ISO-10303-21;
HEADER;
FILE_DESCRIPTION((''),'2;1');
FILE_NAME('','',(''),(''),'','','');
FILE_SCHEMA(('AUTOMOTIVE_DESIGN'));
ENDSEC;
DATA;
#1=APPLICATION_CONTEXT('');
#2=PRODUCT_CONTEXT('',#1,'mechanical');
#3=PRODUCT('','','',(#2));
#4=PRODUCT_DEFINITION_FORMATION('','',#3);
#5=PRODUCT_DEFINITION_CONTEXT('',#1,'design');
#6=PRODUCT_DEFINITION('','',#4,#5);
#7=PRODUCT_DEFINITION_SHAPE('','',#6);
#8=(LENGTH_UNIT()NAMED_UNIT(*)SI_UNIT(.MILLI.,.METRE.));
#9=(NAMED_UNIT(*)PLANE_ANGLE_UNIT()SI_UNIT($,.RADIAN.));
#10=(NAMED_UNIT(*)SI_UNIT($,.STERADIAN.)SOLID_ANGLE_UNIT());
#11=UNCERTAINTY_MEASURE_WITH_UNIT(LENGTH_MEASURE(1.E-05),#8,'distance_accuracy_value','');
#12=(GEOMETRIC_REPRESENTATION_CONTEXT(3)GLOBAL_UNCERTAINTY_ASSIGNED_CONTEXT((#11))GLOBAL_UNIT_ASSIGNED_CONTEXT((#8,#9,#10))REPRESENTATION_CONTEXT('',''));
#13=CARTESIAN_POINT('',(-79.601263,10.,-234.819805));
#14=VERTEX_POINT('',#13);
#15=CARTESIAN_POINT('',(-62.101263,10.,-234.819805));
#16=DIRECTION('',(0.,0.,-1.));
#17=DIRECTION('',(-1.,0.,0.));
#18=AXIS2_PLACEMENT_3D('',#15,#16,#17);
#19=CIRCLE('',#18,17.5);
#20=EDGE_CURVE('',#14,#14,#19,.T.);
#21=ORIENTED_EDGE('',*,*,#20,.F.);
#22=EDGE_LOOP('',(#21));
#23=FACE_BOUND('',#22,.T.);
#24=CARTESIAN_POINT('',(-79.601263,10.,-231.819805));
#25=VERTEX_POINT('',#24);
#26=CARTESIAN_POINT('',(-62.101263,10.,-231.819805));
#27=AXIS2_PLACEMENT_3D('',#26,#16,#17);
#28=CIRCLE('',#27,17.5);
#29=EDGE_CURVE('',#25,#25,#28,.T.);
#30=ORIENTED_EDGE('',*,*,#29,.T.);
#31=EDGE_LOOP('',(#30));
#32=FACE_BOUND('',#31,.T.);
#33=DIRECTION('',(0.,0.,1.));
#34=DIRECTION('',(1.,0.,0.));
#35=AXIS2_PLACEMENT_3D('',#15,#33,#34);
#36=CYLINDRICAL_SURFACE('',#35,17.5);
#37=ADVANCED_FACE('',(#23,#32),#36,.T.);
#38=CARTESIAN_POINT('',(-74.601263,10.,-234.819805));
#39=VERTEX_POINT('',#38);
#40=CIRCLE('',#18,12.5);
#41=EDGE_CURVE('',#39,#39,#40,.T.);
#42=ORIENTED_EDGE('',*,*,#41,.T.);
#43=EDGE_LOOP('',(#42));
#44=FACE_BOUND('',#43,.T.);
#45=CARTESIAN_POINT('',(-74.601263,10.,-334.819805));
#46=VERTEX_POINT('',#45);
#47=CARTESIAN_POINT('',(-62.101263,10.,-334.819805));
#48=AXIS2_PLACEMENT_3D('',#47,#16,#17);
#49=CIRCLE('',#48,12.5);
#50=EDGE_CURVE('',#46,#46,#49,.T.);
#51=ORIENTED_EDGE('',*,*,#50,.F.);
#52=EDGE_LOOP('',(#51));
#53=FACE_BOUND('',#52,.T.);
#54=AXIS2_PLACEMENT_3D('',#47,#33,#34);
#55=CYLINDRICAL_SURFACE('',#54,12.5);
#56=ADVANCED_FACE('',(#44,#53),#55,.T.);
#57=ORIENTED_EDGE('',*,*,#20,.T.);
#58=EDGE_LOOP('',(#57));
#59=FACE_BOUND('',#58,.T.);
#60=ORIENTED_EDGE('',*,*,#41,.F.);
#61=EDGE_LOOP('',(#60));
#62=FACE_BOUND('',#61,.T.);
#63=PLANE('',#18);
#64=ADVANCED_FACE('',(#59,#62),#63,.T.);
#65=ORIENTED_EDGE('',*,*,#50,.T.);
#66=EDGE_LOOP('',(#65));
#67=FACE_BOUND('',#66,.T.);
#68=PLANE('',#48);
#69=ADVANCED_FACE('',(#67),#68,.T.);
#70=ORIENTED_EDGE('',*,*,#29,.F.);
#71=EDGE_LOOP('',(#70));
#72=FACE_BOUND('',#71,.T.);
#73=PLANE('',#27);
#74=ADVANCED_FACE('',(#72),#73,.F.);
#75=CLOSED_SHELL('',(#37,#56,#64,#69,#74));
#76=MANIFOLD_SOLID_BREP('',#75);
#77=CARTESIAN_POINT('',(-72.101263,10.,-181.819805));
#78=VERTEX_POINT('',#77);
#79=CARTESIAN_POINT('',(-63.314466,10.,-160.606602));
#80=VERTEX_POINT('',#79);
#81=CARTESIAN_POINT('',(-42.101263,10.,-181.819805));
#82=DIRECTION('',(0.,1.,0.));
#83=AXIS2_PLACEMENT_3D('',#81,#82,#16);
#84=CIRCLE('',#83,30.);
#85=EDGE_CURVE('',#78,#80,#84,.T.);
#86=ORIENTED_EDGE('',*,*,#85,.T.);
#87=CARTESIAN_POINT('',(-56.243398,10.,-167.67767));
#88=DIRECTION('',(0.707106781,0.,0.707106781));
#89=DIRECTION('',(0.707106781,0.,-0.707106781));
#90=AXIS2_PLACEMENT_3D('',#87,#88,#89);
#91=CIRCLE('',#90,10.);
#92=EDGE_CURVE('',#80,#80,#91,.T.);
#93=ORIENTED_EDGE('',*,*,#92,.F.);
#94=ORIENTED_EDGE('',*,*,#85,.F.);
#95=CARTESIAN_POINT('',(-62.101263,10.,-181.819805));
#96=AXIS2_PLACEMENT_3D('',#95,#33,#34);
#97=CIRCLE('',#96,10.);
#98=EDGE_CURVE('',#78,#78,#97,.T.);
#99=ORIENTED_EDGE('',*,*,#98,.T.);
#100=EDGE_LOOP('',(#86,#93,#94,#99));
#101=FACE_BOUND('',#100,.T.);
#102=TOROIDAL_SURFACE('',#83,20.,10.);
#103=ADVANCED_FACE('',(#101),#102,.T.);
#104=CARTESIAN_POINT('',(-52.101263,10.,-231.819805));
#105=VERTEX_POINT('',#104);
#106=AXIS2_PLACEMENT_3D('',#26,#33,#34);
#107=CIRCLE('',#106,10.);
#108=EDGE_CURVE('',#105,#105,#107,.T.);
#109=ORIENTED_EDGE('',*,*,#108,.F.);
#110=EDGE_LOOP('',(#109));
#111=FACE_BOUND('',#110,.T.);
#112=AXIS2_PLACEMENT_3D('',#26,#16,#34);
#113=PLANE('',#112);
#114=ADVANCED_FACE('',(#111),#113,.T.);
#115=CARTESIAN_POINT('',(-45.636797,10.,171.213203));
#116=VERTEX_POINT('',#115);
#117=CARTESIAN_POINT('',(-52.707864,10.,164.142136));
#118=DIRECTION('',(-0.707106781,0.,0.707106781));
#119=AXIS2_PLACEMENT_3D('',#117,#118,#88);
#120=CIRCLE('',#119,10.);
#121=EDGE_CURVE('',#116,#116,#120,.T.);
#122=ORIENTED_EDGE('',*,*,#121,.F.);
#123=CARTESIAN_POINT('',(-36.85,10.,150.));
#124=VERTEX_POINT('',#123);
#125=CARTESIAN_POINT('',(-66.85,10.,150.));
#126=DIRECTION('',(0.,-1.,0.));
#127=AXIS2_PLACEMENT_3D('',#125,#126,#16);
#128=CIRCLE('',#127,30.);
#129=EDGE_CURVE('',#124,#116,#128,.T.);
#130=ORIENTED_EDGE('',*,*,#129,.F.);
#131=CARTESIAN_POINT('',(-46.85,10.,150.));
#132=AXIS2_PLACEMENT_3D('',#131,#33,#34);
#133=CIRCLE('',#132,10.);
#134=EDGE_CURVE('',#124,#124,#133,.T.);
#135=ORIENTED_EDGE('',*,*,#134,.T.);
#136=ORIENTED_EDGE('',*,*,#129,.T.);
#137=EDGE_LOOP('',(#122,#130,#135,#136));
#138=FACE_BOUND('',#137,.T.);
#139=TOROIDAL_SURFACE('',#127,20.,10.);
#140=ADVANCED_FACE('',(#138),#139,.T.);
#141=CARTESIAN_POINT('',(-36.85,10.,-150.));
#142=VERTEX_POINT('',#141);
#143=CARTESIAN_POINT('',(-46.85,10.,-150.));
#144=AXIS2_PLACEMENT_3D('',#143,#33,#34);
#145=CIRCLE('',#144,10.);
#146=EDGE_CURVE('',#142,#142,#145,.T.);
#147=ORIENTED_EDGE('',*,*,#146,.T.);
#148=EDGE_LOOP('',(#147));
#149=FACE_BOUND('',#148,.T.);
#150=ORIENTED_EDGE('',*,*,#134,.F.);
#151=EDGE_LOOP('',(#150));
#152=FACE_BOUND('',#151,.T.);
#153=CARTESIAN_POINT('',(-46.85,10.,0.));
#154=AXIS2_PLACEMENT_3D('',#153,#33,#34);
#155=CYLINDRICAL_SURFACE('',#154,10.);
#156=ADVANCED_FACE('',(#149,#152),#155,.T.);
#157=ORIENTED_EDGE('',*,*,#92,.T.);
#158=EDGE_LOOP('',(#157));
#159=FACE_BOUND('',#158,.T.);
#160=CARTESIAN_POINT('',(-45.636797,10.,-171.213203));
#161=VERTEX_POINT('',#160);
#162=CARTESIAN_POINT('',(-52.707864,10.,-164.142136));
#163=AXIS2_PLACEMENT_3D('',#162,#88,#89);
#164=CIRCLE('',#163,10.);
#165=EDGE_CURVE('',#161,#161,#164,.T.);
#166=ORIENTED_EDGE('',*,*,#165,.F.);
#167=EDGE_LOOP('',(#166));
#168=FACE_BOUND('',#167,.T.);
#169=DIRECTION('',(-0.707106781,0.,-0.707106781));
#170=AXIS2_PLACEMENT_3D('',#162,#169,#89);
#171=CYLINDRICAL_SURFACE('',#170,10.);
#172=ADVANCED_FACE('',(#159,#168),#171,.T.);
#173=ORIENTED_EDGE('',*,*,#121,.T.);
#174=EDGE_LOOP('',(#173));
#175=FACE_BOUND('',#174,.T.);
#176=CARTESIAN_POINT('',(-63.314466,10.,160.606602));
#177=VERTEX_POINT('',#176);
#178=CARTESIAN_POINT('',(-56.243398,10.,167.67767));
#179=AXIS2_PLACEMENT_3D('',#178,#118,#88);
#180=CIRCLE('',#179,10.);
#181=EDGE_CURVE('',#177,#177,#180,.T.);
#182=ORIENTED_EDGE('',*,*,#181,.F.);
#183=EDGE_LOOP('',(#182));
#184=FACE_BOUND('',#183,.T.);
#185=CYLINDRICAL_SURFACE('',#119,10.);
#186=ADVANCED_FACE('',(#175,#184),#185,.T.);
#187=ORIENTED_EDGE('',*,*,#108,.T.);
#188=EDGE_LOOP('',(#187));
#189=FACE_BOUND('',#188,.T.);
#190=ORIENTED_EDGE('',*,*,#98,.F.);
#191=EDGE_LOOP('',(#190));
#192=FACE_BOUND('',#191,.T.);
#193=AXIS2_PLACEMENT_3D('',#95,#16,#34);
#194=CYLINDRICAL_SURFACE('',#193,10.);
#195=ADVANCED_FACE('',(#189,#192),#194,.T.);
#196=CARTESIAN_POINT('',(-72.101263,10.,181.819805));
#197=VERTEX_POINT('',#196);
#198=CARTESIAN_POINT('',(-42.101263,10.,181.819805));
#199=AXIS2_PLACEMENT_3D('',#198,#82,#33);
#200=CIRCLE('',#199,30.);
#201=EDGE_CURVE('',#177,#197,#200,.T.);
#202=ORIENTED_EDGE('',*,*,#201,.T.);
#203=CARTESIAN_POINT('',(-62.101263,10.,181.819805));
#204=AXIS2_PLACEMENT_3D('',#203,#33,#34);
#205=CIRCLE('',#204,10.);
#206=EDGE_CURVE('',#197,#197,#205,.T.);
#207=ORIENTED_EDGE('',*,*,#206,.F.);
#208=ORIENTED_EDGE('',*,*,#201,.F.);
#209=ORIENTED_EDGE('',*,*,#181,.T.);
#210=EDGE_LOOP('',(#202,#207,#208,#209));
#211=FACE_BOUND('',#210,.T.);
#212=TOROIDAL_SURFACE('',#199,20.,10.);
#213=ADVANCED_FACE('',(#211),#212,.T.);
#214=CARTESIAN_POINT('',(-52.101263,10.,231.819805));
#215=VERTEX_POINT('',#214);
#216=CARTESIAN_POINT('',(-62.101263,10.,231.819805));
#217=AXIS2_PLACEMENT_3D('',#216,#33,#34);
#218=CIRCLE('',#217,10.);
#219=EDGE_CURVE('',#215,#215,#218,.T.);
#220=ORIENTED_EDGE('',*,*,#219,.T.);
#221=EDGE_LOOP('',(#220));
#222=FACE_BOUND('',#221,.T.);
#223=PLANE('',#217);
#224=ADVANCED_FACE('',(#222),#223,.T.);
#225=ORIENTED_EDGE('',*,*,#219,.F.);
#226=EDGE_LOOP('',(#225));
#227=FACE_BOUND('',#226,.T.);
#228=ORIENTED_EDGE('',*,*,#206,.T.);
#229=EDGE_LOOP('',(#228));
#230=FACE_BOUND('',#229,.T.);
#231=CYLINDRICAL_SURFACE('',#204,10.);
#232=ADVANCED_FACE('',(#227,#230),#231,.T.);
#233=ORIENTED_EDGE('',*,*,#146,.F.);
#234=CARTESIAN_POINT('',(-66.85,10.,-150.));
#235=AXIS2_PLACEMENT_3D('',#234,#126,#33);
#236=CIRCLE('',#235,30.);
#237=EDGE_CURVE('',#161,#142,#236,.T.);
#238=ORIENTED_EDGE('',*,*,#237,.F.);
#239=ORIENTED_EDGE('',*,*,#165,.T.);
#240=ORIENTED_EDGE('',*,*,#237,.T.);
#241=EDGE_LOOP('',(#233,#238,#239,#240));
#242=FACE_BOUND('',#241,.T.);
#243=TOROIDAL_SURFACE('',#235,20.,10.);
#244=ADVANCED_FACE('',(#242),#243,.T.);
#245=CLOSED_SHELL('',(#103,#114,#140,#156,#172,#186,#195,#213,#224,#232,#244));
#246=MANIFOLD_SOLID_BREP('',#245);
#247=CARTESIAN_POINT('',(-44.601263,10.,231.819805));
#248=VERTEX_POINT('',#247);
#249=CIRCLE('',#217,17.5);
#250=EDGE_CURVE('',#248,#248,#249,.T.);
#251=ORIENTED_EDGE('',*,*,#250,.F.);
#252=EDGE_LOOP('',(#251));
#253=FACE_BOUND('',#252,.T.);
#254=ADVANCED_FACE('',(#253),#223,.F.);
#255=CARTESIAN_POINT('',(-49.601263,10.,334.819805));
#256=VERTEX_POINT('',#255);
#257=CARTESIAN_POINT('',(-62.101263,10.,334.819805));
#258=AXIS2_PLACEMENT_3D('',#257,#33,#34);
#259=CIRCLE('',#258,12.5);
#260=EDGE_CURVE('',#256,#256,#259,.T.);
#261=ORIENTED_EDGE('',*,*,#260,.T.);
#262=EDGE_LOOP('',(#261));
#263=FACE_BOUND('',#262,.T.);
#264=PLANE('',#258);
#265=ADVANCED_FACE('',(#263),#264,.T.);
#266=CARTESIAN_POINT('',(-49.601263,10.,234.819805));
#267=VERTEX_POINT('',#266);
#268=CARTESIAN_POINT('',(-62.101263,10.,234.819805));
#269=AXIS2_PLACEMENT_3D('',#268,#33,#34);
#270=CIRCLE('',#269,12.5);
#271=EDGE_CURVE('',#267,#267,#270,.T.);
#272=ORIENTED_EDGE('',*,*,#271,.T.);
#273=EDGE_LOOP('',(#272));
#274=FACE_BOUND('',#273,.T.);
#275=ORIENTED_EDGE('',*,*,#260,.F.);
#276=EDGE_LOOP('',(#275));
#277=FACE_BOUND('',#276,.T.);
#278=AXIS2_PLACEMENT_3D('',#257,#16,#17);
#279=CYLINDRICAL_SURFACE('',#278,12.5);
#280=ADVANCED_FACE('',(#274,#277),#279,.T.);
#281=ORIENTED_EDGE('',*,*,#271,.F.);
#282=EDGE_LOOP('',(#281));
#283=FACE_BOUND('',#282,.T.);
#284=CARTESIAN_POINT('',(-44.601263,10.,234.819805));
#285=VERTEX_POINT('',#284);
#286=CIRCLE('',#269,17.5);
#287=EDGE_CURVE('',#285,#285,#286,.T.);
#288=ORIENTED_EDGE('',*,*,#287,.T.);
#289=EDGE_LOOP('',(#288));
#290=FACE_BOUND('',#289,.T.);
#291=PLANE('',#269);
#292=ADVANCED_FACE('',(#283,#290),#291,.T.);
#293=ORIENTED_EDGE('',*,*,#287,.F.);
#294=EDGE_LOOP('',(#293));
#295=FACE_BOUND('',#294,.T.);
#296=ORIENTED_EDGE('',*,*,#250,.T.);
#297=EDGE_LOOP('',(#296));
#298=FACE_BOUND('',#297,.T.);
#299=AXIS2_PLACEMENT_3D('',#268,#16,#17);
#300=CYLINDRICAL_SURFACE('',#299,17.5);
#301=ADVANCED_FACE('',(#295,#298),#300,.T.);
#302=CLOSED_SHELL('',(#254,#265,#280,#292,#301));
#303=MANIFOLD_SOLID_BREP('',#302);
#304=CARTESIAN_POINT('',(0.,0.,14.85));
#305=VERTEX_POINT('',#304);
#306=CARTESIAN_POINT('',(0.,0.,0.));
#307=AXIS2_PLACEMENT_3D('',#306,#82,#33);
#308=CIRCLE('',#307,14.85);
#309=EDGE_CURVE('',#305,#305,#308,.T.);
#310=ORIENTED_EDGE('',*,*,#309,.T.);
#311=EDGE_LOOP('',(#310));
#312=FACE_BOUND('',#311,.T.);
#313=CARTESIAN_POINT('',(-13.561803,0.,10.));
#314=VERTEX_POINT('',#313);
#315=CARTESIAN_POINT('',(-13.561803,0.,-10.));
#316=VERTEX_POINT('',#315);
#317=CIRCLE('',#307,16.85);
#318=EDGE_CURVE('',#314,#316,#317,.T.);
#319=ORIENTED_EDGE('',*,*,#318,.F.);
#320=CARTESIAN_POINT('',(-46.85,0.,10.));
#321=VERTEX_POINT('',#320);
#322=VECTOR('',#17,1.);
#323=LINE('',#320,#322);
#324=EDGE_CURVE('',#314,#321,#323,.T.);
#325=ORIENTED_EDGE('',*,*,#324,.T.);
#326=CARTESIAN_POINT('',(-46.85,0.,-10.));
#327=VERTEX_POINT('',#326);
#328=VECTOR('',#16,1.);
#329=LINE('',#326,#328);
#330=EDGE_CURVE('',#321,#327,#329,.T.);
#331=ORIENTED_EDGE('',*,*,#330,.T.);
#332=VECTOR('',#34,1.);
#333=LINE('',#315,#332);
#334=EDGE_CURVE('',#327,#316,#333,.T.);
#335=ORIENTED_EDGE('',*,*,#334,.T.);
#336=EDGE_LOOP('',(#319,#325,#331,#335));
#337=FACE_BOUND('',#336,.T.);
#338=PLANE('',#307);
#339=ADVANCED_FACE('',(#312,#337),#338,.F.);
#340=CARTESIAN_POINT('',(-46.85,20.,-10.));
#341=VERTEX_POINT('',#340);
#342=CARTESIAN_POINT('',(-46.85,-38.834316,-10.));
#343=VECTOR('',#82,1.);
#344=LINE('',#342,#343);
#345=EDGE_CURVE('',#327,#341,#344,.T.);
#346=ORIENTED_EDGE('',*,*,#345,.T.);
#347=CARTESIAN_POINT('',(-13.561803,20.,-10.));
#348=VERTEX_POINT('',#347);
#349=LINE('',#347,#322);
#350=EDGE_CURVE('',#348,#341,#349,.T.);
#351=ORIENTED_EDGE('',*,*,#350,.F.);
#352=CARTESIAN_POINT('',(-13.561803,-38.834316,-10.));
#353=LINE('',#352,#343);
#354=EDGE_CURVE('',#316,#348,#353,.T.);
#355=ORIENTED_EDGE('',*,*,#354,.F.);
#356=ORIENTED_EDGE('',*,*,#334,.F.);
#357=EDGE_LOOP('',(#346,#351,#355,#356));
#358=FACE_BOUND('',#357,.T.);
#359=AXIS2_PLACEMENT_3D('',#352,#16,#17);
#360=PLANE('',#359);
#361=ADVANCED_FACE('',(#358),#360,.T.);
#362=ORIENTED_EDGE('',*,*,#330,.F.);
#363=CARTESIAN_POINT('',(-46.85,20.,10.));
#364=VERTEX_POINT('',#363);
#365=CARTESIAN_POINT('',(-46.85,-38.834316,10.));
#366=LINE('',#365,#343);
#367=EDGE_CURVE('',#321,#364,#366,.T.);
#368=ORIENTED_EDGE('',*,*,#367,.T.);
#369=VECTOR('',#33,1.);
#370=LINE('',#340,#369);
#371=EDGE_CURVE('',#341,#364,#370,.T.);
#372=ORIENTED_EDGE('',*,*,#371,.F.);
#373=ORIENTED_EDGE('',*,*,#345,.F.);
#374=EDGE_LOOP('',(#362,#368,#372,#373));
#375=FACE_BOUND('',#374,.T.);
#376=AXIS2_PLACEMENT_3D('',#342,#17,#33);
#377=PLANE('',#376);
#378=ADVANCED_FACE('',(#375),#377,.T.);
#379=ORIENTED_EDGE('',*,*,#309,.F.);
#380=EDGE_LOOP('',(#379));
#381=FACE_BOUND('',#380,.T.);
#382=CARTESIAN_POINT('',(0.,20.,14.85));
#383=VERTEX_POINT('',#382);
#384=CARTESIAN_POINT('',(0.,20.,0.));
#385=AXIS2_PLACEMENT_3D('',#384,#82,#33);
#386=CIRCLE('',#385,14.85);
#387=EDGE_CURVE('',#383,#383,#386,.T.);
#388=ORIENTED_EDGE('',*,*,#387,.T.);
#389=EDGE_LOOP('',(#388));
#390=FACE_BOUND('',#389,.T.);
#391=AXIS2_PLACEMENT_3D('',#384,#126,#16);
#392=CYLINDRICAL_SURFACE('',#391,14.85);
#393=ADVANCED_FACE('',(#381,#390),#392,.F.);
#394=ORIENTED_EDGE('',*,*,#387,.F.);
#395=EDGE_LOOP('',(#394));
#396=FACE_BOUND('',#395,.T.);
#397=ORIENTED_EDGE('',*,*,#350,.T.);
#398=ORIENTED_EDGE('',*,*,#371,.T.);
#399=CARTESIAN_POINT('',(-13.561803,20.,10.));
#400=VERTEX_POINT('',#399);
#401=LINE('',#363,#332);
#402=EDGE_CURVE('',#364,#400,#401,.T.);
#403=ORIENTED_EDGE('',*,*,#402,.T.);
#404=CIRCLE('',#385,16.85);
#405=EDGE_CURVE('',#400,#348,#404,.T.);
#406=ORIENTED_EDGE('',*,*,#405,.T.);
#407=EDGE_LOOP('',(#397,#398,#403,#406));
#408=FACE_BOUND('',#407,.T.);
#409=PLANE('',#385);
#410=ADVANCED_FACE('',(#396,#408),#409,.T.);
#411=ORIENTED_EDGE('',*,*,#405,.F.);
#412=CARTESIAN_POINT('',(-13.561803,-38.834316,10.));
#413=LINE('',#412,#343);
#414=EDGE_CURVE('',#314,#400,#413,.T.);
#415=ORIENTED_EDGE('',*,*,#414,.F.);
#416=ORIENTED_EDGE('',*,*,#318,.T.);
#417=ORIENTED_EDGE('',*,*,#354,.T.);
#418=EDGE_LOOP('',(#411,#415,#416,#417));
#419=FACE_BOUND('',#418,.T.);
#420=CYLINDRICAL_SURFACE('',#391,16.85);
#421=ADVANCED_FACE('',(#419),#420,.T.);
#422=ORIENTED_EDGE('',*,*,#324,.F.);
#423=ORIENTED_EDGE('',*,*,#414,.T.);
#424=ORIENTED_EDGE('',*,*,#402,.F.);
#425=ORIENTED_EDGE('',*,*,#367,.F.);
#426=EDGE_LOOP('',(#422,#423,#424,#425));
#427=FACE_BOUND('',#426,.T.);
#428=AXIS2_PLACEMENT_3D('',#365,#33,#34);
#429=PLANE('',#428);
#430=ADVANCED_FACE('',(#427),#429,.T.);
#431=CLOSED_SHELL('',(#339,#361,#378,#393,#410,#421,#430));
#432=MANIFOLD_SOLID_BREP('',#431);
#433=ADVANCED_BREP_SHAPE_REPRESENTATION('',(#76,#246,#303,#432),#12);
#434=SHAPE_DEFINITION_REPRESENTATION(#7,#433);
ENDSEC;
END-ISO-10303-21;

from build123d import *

# Parameters (mm, degrees)
SKETCH1_R           = 16.85
SKETCH1_R_2         = 14.85
BOSS_EXTRUDE1_DEPTH = 20
SKETCH2_R           = 10
SKETCH5_R           = 17.5
BOSS_EXTRUDE3_DEPTH = 3
SKETCH6_R           = 12.5
BOSS_EXTRUDE4_DEPTH = 100
BOSS_EXTRUDE2_DEPTH = 20
SKETCH7_R           = 17.5
BOSS_EXTRUDE5_DEPTH = 3
SKETCH8_R           = 12.5
BOSS_EXTRUDE6_DEPTH = 100


with BuildPart() as part:
    # Sketch1 → Boss-Extrude1 (new body)
    with BuildSketch(Plane(origin=(0, 0, 0), x_dir=(1, 0, 0), z_dir=(0, 1, 0))):
        with Locations(Location((0, 0, 0), (0, 0, 270))):
            Circle(SKETCH1_R)
        with Locations(Location((0, 0, 0), (0, 0, 270))):
            Circle(SKETCH1_R_2, mode=Mode.SUBTRACT)
    extrude(amount=BOSS_EXTRUDE1_DEPTH)

    # Sketch4 → Boss-Extrude2 (add)
    with BuildSketch(Plane(origin=(0, 20, 0), x_dir=(1, 0, 0), z_dir=(0, 1, 0))):
        with BuildLine():
            Line((-13.561802977, 10), (-46.85, 10))
            Line((-46.85, 10), (-46.85, -10))
            Line((-46.85, -10), (-13.561802977, -10))
            ThreePointArc((-13.561802977, -10), (-16.85, 0), (-13.561802977, 10))
        make_face()
    extrude(amount=-BOSS_EXTRUDE2_DEPTH)


with BuildPart() as body_2:
    # Sweep1: sweep along a path in Sketch3
    with BuildLine(Plane(origin=(0, 0, 0), x_dir=(1, 0, 0), z_dir=(0, 1, 0))) as sweep1_path:
        Line((-46.85, 0), (-46.85, -150))
        ThreePointArc((-46.85, -150), (-48.37240935, -157.653668647), (-52.707864376, -164.142135624))
        Line((-52.707864376, -164.142135624), (-56.243398282, -167.67766953))
        ThreePointArc((-56.243398282, -167.67766953), (-60.578853309, -174.166136506), (-62.101262658, -181.819805153))
        Line((-62.101262658, -181.819805153), (-62.101262658, -231.819805153))
    # Sketch2 → Sweep1 (sweep)
    with BuildSketch(Plane.XY):
        with Locations((-46.85, 10)):
            Circle(SKETCH2_R)
    sweep1 = sweep(path=sweep1_path.line)

    # Mirror1: Sweep1 across plane
    add(sweep1.mirror(Plane(origin=(-46.85, 10, 0), x_dir=(1, 0, 0), z_dir=(0, 0, 1))))


with BuildPart() as body_3:
    # Sketch5 → Boss-Extrude3 (new body)
    with BuildSketch(Plane.XY.offset(231.819805153)):
        with Locations((-62.101262658, 10)):
            Circle(SKETCH5_R)
    extrude(amount=BOSS_EXTRUDE3_DEPTH)

    # Sketch6 → Boss-Extrude4 (add)
    with BuildSketch(Plane.XY.offset(234.819805153)):
        with Locations((-62.101262658, 10)):
            Circle(SKETCH6_R)
    extrude(amount=BOSS_EXTRUDE4_DEPTH)


with BuildPart() as body_4:
    # Sketch7 → Boss-Extrude5 (new body)
    with BuildSketch(Plane(origin=(0, 0, -231.819805153), x_dir=(-1, 0, 0), z_dir=(0, 0, -1))):
        with Locations((62.101262658, 10)):
            Circle(SKETCH7_R)
    extrude(amount=BOSS_EXTRUDE5_DEPTH)

    # Sketch8 → Boss-Extrude6 (add)
    with BuildSketch(Plane(origin=(0, 0, -234.819805153), x_dir=(-1, 0, 0), z_dir=(0, 0, -1))):
        with Locations((62.101262658, 10)):
            Circle(SKETCH8_R)
    extrude(amount=BOSS_EXTRUDE6_DEPTH)


solid = Compound([part.part, body_2.part, body_3.part, body_4.part])
